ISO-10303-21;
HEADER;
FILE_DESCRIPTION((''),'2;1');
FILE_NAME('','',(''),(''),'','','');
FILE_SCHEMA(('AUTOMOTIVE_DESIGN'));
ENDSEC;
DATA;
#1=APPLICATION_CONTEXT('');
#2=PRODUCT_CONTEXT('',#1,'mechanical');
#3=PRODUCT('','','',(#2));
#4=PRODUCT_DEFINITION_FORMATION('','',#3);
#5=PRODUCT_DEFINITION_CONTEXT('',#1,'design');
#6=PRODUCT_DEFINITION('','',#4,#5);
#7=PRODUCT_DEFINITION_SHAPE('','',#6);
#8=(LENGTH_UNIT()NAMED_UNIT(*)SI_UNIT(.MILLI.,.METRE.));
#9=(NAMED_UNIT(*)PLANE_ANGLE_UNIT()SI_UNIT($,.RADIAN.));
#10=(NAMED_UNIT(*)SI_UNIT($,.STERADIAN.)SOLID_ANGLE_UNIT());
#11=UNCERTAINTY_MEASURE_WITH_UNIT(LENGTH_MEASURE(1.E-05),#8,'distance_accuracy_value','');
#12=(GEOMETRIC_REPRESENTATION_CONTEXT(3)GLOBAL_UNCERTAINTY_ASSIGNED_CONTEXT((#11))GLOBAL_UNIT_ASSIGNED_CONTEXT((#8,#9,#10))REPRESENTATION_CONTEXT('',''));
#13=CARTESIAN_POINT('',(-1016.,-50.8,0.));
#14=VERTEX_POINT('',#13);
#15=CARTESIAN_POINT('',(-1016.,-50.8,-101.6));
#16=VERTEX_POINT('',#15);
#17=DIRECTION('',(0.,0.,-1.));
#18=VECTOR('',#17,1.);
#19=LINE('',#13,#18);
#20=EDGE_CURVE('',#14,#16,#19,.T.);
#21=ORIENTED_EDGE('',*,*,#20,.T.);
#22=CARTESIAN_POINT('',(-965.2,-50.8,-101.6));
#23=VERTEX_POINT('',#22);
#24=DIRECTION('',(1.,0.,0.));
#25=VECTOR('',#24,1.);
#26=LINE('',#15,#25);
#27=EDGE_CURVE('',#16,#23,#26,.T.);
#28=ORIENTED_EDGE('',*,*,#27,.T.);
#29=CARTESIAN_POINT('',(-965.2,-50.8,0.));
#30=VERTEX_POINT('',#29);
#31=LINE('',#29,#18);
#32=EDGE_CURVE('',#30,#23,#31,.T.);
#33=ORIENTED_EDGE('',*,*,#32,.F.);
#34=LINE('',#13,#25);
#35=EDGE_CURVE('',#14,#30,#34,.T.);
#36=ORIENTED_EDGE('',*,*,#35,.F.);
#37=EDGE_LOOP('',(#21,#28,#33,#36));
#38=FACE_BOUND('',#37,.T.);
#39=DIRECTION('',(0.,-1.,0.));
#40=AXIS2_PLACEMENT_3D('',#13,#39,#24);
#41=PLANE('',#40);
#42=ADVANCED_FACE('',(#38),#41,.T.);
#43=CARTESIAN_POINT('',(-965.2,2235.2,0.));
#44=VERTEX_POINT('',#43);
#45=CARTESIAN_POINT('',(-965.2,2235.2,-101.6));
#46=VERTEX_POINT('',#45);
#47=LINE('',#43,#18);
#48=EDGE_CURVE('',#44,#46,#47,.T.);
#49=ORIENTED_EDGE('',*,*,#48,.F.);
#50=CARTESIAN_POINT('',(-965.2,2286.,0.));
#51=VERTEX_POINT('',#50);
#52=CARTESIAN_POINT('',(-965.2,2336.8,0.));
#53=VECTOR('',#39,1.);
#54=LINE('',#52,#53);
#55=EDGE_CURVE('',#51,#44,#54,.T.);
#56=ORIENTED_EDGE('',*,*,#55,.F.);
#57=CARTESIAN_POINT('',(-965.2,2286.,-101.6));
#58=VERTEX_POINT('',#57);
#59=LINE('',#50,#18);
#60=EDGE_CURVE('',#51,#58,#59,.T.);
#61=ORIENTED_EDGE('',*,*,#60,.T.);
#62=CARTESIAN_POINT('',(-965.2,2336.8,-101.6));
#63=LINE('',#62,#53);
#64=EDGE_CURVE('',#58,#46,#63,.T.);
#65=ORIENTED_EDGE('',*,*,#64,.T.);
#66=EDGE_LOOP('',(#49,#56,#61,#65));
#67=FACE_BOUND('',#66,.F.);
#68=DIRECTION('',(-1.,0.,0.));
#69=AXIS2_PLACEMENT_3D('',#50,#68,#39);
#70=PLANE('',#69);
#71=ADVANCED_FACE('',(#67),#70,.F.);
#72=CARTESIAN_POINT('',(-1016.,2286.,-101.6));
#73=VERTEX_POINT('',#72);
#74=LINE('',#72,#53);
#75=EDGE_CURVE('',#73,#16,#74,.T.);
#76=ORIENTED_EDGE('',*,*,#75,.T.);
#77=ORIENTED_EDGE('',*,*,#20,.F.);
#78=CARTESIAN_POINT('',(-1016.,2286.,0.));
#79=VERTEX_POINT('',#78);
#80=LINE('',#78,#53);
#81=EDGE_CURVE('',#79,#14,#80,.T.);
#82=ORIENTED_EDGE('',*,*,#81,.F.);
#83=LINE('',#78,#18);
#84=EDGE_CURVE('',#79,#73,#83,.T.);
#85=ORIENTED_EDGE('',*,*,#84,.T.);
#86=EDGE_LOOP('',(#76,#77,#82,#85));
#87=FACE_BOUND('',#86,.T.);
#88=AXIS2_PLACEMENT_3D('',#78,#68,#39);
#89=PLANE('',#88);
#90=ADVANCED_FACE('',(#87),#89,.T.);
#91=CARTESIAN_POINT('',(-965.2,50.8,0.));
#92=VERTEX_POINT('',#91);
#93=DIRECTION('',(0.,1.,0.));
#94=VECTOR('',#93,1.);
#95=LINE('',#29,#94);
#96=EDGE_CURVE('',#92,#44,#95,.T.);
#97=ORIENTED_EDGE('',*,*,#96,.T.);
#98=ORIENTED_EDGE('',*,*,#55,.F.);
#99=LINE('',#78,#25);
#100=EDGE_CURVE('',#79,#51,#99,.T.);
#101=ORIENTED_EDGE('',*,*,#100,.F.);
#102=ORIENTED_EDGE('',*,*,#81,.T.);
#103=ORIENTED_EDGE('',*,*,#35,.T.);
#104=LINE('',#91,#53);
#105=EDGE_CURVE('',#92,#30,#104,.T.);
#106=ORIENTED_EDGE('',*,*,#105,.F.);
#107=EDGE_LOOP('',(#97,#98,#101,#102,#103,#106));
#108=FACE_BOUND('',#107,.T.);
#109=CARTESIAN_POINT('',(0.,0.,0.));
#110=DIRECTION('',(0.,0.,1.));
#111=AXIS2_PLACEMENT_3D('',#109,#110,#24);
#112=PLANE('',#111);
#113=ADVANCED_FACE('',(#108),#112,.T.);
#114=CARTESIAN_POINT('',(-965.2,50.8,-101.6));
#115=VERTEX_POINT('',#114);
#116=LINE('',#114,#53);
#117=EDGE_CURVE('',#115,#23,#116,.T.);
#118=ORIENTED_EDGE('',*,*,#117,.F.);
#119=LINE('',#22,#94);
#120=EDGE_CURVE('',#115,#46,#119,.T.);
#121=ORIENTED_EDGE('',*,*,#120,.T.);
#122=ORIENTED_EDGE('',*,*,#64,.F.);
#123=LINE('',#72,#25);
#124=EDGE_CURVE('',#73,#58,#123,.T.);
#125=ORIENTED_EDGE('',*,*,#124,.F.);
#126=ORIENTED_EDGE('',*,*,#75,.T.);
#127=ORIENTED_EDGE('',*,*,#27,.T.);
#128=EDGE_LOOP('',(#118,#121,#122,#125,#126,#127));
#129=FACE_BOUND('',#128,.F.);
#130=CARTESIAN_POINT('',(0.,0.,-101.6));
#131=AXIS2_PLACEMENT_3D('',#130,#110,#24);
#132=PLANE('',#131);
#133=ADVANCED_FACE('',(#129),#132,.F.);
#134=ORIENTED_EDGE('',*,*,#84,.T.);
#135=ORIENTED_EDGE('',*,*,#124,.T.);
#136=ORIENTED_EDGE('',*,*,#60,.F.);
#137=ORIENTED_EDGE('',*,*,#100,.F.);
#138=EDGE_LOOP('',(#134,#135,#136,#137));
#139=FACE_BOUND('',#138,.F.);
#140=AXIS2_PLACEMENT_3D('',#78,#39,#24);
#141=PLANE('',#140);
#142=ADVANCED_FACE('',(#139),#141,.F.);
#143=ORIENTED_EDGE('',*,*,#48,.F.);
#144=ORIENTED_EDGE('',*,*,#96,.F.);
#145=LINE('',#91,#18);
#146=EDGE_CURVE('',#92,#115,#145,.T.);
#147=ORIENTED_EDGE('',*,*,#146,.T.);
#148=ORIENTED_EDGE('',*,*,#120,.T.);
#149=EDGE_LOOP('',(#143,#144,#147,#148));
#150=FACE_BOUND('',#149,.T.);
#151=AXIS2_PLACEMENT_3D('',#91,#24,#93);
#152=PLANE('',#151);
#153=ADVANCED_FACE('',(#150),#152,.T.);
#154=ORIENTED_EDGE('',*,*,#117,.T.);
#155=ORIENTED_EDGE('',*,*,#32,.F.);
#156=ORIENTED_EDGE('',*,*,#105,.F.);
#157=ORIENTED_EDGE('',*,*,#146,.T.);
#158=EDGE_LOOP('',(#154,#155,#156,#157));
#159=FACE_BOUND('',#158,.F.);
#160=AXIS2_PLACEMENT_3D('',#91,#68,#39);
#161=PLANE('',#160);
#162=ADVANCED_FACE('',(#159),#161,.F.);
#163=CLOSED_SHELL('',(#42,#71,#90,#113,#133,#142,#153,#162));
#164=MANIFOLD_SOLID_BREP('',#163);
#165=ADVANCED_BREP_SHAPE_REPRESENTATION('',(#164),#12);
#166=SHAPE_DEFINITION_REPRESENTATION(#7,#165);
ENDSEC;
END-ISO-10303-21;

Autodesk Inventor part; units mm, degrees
ref_plane "YZ Plane" through (0, 0, 0) normal (1, 0, 0) x (0, 1, 0)
ref_plane "XZ Plane" through (0, 0, 0) normal (0, 1, 0) x (-1, 0, 0)
ref_plane "XY Plane" through (0, 0, 0) normal (0, 0, 1) x (1, 0, 0)
ref_plane "Work Plane1" through (0, 0, 0) normal (0, 0, 1) x (1, 0, 0)
sketch "Sketch1" plane through (0, 0, 0) normal (0, 0, 1) x (1, 0, 0)
  line L0 (965.2, 2336.8) -> (-965.2, 2336.8) projected
  line L1 (-965.2, 2336.8) -> (-965.2, 2235.2) projected
  line L2 (-965.2, 2235.2) -> (965.2, 2235.2) projected
  line L3 (965.2, 2235.2) -> (965.2, 2336.8) projected
  line L4 (-1016, 2286) -> (-965.2, 2286) projected
  line L5 (965.2, 50.8) -> (-965.2, 50.8) projected
  line L6 (-965.2, 50.8) -> (-965.2, -50.8) projected
  line L7 (-965.2, -50.8) -> (965.2, -50.8) projected
  line L8 (965.2, -50.8) -> (965.2, 50.8) projected
  line L9 (-965.2, 2286) -> (-1016, 2286)
  line L10 (-1016, 2286) -> (-1016, -50.8)
  line L11 (-1016, -50.8) -> (-965.2, -50.8)
  line L12 (-965.2, -50.8) -> (-965.2, 2286)
  point P0 (0, 0)
  point P1 (-965.2, 2286)
extrude "Extrusion1" add sketch "Sketch1" against normal blind 101.6 contours L1 L12 L6 L11 L10 L4
properties part number "2X4X92" material "Wood (Birch)"
